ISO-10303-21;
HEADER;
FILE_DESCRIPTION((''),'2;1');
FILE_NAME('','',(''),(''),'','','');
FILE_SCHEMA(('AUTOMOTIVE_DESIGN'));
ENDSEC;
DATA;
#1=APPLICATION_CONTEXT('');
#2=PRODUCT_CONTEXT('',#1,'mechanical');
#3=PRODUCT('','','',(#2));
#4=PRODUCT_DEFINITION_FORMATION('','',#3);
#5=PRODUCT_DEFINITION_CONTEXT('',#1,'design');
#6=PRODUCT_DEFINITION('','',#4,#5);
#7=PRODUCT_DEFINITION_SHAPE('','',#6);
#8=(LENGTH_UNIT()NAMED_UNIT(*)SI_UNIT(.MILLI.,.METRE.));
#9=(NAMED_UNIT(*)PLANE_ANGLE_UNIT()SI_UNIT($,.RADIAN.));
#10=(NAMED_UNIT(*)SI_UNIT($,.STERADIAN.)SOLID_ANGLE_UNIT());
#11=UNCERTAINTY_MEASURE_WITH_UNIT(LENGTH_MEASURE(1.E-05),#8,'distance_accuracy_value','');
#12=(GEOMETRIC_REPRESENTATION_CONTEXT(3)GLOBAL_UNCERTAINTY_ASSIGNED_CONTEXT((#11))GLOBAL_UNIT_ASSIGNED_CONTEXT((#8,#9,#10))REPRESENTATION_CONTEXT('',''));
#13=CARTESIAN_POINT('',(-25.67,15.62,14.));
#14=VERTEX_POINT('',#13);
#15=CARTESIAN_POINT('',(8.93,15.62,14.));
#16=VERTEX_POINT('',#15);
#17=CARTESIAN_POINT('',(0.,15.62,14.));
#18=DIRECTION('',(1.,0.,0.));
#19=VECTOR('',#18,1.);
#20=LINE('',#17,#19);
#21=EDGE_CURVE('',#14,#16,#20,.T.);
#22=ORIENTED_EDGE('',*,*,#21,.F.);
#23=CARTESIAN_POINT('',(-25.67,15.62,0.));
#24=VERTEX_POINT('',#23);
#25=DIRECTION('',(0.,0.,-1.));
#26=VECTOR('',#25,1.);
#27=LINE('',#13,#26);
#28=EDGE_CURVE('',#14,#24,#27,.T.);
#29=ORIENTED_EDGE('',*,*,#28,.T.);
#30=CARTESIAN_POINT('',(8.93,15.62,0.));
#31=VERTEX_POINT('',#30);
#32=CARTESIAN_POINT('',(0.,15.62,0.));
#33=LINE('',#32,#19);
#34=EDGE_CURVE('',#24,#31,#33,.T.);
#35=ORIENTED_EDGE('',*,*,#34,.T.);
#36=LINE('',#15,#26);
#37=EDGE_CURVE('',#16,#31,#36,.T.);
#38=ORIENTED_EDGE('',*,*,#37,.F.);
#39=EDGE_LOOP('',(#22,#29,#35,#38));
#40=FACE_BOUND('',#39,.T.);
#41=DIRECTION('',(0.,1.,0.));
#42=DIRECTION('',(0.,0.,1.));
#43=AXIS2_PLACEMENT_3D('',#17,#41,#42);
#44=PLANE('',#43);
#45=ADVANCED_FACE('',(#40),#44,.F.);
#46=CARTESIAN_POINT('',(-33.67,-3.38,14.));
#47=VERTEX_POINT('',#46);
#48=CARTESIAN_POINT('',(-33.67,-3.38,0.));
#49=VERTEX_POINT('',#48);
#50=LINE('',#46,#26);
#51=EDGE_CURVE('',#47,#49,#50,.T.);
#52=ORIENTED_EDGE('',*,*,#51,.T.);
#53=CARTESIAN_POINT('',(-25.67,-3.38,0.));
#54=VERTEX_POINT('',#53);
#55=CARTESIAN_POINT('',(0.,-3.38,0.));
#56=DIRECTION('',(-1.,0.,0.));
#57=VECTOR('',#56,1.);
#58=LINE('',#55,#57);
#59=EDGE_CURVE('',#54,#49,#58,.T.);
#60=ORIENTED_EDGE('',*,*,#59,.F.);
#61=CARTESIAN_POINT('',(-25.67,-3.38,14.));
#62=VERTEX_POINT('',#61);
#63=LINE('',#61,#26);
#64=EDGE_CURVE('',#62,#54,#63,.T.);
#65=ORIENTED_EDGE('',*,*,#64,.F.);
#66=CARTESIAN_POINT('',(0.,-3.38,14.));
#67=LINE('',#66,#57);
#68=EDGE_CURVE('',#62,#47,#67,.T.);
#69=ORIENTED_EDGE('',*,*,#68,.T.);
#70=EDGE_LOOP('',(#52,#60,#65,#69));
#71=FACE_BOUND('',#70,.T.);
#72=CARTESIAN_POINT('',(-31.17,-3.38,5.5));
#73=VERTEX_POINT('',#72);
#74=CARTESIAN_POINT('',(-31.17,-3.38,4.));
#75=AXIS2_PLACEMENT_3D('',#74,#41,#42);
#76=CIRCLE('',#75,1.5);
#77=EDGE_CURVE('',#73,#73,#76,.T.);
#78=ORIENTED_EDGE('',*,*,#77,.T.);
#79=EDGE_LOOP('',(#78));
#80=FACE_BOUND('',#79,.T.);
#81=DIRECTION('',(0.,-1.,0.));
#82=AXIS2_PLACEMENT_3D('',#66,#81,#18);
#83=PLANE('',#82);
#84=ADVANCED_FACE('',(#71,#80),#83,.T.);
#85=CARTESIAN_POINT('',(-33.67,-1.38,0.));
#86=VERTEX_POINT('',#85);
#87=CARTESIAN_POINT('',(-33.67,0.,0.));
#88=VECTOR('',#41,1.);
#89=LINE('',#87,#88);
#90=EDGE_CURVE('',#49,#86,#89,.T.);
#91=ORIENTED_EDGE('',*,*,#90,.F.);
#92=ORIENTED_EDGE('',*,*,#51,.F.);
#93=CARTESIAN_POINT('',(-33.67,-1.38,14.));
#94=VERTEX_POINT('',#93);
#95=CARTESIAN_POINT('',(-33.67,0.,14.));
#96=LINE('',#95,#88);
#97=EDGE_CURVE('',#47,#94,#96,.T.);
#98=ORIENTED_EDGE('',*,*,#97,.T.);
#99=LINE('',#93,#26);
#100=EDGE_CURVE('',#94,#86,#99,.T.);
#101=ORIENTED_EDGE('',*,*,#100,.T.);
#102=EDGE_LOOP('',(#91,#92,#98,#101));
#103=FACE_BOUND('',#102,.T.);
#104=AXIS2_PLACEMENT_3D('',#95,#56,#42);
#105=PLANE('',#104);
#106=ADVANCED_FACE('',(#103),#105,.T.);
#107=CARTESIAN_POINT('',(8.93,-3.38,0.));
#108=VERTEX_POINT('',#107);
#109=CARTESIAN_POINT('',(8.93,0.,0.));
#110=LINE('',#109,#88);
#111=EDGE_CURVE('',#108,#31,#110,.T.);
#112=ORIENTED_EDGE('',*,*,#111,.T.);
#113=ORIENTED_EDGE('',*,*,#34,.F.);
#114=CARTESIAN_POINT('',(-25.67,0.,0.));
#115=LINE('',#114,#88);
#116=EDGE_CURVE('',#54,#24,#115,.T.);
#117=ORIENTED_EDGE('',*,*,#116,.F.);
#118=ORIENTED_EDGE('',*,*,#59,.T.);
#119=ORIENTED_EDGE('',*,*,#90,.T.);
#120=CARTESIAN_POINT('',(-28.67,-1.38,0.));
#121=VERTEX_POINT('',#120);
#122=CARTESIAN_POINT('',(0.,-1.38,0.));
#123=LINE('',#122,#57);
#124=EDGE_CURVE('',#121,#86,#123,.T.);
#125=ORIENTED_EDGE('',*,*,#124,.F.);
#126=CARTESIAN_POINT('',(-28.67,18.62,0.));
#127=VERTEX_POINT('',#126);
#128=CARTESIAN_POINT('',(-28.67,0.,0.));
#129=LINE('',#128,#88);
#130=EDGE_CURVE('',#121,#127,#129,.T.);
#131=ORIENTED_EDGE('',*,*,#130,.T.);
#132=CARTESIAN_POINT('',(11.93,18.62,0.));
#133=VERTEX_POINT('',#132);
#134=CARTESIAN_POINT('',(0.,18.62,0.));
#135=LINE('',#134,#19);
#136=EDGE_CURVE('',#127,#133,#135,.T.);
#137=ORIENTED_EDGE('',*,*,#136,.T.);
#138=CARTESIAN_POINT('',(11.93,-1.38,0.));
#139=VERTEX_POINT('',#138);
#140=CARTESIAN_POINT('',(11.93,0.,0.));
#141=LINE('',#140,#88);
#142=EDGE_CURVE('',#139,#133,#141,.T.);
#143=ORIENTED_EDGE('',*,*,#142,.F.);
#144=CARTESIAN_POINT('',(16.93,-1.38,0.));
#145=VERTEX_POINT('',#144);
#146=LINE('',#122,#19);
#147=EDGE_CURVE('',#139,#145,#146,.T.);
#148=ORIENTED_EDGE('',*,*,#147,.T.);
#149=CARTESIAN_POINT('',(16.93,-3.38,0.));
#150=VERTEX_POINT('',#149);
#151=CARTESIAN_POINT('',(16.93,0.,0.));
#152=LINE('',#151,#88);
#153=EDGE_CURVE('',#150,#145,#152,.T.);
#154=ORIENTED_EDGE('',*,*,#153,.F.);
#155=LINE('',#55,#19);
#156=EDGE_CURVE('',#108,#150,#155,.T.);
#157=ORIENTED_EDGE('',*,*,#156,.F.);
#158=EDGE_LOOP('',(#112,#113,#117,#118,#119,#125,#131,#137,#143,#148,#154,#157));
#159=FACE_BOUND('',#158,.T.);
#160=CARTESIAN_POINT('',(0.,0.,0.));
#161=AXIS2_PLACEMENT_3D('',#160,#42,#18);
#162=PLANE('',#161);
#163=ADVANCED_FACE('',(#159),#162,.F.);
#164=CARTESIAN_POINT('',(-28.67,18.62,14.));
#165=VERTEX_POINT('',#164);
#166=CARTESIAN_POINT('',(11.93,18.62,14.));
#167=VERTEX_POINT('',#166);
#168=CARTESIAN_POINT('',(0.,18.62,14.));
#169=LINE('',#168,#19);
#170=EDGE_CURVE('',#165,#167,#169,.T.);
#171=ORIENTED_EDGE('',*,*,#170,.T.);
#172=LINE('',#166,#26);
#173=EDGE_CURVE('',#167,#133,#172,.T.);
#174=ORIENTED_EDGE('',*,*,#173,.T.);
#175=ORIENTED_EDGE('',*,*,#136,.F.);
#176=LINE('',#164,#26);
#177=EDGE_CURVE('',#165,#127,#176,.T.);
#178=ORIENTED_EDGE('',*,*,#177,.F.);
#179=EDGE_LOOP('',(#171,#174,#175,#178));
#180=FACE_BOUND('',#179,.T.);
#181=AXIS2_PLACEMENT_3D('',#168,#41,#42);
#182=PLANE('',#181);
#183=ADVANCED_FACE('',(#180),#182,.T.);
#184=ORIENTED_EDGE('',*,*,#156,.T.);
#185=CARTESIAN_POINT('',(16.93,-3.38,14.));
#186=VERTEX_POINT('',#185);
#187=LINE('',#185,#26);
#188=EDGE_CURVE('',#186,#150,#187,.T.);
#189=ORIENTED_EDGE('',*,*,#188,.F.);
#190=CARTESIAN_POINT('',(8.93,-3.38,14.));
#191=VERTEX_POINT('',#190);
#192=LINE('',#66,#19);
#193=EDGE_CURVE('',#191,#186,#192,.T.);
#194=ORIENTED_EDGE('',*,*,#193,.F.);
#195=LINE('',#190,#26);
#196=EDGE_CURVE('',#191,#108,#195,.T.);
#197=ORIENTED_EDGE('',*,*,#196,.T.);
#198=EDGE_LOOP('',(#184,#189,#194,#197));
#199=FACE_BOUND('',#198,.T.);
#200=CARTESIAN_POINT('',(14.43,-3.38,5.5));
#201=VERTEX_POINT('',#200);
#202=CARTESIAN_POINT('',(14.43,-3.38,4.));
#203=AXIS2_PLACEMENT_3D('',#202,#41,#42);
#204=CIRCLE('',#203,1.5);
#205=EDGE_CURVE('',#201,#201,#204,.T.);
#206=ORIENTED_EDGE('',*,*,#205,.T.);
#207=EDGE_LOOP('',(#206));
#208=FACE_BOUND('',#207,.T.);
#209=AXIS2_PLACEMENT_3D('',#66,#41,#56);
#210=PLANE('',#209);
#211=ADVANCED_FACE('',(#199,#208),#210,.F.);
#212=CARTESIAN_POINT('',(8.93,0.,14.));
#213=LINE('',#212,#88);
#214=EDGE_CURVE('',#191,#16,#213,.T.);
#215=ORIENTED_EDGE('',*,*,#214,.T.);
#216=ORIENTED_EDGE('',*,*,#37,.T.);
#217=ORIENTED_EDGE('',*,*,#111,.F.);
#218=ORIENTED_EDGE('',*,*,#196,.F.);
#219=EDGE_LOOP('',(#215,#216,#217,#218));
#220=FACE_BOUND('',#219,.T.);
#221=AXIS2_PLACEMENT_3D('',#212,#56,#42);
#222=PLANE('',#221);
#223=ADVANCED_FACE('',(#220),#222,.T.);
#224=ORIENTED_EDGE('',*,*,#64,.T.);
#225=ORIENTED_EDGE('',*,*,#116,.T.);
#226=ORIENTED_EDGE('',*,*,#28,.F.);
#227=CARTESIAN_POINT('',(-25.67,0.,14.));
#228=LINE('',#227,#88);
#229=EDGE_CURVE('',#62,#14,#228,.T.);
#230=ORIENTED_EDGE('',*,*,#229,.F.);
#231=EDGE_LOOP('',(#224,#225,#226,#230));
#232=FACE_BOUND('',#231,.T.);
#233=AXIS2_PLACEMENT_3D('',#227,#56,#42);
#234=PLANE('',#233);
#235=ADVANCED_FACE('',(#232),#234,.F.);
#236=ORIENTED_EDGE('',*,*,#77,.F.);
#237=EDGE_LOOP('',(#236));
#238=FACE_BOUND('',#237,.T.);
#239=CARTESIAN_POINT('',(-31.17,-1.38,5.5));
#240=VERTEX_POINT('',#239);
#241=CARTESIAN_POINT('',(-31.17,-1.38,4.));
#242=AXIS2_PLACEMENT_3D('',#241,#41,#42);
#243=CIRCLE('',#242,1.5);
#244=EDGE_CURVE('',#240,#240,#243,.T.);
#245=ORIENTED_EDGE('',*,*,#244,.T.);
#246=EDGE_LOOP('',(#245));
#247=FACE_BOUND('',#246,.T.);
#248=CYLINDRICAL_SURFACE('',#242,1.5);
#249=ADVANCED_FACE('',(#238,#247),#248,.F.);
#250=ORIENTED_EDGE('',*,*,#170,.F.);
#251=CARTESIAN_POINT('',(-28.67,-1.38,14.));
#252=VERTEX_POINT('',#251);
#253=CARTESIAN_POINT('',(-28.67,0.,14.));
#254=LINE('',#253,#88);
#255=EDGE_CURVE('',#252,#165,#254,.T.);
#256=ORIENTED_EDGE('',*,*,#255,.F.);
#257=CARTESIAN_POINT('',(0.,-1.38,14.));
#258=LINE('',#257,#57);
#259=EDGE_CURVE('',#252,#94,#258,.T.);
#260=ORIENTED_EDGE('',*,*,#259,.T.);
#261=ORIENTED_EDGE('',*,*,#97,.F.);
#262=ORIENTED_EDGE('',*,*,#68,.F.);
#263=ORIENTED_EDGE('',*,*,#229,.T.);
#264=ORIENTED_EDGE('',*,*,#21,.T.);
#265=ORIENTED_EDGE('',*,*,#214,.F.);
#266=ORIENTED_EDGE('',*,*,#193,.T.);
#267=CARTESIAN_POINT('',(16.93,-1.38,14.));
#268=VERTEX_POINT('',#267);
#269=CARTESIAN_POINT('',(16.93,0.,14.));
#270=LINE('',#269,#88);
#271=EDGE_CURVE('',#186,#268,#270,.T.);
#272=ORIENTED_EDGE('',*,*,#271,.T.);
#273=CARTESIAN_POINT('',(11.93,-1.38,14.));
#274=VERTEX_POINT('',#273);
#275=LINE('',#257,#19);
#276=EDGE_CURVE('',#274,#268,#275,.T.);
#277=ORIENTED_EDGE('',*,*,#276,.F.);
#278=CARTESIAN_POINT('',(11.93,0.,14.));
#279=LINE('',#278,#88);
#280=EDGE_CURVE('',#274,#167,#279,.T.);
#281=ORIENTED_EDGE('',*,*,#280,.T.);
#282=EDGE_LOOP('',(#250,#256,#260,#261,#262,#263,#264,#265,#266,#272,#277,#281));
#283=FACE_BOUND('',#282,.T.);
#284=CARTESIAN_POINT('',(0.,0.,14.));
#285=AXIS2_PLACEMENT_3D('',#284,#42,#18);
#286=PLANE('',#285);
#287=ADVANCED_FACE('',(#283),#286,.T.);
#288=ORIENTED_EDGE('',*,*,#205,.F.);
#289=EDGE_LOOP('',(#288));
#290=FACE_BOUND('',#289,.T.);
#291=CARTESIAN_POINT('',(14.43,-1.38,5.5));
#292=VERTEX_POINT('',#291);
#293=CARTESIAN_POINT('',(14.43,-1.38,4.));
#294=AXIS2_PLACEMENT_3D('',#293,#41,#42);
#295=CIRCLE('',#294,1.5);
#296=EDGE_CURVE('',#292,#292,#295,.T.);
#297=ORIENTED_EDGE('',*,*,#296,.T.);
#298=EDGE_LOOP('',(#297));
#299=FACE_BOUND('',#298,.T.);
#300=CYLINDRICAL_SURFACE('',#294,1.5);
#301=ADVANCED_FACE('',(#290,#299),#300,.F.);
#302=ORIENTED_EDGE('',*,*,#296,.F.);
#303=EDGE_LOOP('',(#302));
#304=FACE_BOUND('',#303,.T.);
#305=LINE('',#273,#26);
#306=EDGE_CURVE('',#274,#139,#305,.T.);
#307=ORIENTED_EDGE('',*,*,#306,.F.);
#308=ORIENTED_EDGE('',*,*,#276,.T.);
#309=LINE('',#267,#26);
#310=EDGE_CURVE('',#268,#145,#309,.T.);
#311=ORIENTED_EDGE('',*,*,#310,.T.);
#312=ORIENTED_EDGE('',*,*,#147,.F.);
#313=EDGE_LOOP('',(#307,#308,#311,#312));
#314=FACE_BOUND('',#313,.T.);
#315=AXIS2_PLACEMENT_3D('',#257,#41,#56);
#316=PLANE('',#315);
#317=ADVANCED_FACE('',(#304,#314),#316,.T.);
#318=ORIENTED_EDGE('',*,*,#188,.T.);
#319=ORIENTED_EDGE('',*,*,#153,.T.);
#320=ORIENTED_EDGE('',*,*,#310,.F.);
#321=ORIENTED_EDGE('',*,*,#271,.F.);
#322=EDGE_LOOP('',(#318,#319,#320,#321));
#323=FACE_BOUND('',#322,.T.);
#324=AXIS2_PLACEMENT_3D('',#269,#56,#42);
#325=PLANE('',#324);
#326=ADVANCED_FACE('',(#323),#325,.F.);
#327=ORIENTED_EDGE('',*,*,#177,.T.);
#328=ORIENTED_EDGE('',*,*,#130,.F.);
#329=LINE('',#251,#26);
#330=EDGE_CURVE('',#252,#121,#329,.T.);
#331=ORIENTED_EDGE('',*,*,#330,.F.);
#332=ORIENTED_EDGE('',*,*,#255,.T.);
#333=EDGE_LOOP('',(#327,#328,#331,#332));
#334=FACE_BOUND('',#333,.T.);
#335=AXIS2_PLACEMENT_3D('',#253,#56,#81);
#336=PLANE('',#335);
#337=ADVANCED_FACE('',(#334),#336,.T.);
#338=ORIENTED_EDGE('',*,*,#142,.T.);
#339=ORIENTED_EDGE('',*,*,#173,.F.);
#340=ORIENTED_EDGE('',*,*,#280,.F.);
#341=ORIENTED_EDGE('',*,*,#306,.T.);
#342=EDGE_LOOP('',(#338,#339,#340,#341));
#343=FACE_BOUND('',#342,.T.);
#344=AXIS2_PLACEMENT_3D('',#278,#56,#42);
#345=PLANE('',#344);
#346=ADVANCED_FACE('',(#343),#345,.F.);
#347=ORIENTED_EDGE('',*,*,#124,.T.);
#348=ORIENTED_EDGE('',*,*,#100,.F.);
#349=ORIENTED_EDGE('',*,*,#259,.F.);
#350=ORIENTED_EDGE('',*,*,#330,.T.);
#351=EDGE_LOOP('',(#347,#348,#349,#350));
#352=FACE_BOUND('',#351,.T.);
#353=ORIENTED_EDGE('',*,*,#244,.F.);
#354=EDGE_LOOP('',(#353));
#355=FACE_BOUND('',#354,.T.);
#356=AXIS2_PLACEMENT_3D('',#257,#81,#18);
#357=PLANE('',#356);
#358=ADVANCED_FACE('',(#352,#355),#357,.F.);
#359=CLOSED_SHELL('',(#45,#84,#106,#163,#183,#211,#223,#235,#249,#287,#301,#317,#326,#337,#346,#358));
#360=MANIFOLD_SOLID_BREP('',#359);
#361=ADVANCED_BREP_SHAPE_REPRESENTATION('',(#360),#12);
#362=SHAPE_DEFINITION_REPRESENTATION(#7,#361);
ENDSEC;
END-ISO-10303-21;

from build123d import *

# Parameters (mm, degrees)
BOSS_EXTRUDE1_DEPTH      = 14
F_3_0_3_DIAMETER_HOLE1_D = 3


with BuildPart() as part:
    # Sketch2 → Boss-Extrude1 (new body)
    with BuildSketch(Plane.XY):
        Polygon((11.93, -3.38), (16.93, -3.38), (16.93, -1.38), (11.93, -1.38), (11.93, 18.62), (-28.67, 18.62), (-28.67, -1.38), (-33.67, -1.38), (-33.67, -3.38), (-12.23, -3.38), (-25.67, -3.38), (-25.67, 15.62), (8.93, 15.62), (8.93, -3.38), align=None)
    extrude(amount=BOSS_EXTRUDE1_DEPTH)

    # Ø3.0 (3) Diameter Hole1 (through all)
    with Locations(Plane(origin=(0, -1.38, 0), x_dir=(1, 0, 0), z_dir=(0, 1, 0))):
        with Locations((14.43, -4), (-31.17, -4)):
            Hole(F_3_0_3_DIAMETER_HOLE1_D / 2)


solid = part.part
